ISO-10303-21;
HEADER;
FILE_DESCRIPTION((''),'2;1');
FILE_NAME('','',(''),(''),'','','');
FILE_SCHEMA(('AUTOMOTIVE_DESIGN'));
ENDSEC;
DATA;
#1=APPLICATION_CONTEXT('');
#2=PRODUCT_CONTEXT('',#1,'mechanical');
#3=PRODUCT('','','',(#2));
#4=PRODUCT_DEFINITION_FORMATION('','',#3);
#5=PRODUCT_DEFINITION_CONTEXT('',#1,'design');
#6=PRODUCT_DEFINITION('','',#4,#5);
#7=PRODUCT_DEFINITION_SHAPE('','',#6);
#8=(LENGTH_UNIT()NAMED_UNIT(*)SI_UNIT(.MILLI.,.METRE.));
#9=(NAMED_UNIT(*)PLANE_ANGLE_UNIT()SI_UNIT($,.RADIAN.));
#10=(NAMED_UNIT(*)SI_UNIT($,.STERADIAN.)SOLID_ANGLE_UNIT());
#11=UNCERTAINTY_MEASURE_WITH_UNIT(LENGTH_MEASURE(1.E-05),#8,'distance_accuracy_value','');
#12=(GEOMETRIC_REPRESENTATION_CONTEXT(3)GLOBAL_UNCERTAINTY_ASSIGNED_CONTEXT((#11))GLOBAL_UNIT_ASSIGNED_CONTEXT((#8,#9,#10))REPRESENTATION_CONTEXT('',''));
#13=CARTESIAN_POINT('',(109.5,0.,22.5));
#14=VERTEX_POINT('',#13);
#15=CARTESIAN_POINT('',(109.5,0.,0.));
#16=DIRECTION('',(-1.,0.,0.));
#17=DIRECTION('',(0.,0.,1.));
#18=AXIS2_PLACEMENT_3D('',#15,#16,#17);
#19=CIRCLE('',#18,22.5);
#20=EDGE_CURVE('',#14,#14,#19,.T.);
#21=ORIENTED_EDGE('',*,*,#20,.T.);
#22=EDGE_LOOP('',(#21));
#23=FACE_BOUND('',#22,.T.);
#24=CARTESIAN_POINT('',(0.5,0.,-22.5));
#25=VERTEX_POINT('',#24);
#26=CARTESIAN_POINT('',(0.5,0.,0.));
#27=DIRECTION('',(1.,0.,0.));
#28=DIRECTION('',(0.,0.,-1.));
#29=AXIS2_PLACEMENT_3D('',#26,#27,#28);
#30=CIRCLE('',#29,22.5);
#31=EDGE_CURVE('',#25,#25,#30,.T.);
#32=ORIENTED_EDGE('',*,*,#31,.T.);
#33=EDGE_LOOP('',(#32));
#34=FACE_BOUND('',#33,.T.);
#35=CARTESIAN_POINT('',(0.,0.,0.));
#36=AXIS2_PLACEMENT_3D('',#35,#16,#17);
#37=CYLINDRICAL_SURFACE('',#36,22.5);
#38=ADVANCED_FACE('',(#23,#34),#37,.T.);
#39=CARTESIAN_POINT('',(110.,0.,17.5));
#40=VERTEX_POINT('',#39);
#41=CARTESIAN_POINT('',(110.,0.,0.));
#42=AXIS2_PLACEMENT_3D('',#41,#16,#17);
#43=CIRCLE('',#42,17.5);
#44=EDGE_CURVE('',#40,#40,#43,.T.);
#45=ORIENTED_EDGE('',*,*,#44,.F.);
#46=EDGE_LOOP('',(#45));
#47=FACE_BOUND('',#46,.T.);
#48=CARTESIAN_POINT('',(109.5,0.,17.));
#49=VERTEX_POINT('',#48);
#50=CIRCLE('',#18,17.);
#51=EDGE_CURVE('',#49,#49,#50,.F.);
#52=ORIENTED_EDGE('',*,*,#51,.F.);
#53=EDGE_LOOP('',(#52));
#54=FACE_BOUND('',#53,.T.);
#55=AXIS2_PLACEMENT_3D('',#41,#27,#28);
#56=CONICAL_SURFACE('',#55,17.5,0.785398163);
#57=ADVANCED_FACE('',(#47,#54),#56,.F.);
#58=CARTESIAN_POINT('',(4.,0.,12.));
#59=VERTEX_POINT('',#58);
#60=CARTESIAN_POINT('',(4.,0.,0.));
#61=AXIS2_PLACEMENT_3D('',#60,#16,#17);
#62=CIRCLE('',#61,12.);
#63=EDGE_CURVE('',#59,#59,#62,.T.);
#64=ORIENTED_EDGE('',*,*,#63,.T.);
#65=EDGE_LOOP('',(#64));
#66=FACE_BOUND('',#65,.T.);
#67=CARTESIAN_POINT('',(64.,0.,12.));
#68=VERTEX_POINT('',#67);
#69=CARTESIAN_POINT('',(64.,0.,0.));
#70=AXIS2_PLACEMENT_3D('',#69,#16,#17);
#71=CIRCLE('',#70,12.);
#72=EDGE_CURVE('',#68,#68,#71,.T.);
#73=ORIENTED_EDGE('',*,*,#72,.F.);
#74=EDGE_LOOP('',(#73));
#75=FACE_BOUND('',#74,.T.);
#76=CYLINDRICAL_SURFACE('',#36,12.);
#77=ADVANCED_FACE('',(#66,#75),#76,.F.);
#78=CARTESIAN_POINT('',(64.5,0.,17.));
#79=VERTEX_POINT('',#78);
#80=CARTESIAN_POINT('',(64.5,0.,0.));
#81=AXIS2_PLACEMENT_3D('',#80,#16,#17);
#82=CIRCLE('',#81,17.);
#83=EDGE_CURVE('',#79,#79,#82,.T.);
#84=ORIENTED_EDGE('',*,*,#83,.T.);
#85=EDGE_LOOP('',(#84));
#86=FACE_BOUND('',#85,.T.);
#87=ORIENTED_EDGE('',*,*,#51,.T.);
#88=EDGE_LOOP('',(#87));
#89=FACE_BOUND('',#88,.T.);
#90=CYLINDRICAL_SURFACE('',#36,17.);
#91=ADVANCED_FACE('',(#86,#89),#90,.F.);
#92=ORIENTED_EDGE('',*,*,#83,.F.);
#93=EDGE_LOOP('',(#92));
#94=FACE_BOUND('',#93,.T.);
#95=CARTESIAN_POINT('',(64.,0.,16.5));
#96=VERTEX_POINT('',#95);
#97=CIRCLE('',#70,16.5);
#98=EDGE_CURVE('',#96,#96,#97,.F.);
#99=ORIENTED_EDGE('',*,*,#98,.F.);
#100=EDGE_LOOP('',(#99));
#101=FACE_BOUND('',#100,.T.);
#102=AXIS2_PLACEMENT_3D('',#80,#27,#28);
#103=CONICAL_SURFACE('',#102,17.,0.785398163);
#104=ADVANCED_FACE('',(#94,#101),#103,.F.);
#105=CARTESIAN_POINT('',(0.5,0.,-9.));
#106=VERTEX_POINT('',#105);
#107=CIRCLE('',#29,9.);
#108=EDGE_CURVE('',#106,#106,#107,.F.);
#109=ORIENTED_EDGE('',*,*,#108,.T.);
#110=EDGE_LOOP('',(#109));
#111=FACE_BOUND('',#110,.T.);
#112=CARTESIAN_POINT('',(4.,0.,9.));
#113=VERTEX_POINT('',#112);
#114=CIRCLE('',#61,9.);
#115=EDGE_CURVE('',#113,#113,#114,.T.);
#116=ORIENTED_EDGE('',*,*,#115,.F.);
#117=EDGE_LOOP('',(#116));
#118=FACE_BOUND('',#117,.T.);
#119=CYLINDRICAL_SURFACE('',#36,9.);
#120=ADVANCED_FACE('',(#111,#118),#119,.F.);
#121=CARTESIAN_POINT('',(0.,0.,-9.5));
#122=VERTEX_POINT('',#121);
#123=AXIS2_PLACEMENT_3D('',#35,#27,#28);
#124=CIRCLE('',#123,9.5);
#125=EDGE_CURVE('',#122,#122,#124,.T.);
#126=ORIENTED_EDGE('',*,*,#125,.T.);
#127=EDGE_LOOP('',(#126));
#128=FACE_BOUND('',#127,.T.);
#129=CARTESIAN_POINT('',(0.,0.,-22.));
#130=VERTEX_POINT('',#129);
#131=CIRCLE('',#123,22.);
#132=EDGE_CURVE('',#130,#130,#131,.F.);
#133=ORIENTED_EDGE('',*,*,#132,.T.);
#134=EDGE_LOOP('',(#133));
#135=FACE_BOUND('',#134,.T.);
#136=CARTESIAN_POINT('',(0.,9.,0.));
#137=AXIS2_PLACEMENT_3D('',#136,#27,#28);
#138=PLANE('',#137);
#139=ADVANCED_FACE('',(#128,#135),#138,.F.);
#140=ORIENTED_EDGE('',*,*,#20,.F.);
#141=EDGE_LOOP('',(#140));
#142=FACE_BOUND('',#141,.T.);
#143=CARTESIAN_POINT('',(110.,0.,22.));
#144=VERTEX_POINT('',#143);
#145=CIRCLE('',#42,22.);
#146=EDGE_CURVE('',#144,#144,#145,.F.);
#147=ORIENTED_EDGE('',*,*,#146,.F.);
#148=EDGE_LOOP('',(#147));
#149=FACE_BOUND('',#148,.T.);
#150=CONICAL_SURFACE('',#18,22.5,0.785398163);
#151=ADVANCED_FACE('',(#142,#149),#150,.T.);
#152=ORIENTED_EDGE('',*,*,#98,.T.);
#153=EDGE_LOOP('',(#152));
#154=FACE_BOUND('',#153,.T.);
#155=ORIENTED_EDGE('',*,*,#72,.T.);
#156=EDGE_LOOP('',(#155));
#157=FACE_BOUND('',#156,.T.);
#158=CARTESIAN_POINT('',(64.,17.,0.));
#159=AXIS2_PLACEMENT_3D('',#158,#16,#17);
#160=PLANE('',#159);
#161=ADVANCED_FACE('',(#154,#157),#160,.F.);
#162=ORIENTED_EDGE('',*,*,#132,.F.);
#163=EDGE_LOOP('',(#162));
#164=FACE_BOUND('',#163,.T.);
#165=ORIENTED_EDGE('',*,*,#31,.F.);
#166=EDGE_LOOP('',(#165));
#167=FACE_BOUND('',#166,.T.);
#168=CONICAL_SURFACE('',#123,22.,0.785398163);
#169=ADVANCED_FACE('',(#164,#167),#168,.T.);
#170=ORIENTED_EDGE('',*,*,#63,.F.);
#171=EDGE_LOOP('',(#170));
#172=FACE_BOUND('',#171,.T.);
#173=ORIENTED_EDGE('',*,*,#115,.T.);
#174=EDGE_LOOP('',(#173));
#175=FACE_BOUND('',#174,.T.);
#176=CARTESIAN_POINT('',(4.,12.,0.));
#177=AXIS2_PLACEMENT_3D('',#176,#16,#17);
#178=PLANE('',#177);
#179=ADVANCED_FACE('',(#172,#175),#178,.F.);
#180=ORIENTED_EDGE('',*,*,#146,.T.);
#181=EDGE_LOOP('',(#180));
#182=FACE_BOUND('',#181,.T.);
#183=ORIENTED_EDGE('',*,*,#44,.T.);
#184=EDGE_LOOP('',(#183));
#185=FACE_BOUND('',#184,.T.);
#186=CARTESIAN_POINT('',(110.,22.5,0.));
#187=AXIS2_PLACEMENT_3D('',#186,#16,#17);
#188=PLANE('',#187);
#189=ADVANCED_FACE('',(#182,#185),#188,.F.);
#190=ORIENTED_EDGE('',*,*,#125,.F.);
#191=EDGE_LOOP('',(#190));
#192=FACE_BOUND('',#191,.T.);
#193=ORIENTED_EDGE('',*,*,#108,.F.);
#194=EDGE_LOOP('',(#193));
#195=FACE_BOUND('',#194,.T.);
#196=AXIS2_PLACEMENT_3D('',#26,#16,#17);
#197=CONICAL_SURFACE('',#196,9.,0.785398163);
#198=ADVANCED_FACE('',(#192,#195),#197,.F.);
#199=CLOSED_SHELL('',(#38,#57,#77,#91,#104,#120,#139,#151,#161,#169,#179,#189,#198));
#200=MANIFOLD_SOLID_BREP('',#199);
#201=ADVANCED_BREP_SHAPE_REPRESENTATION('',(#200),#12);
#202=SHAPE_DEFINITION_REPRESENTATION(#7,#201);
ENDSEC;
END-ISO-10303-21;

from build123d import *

# Parameters (mm, degrees)
CHAMFER1_SIZE = 0.5


with BuildPart() as part:
    # Sketch1 → Revolve1 (revolve)
    with BuildSketch(Plane.XY, mode=Mode.PRIVATE) as revolve1_sk:
        Polygon((0, 22.5), (110, 22.5), (110, 17), (64, 17), (64, 12), (4, 12), (4, 9), (0, 9), align=None)
    revolve(revolve1_sk.sketch.rotate(Axis((0, 0, 0), (1, 0, 0)), 90), axis=Axis((0, 0, 0), (1, 0, 0)))

    # Chamfer1
    chamfer1_edges = [part.edges().sort_by_distance(p)[0] for p in [
        (0, 0, -22.5),
        (0, 0, -9),
        (64, 0, -17),
        (110, 0, -17),
        (110, 0, -22.5),
    ]]
    chamfer(chamfer1_edges, length=CHAMFER1_SIZE)


solid = part.part
